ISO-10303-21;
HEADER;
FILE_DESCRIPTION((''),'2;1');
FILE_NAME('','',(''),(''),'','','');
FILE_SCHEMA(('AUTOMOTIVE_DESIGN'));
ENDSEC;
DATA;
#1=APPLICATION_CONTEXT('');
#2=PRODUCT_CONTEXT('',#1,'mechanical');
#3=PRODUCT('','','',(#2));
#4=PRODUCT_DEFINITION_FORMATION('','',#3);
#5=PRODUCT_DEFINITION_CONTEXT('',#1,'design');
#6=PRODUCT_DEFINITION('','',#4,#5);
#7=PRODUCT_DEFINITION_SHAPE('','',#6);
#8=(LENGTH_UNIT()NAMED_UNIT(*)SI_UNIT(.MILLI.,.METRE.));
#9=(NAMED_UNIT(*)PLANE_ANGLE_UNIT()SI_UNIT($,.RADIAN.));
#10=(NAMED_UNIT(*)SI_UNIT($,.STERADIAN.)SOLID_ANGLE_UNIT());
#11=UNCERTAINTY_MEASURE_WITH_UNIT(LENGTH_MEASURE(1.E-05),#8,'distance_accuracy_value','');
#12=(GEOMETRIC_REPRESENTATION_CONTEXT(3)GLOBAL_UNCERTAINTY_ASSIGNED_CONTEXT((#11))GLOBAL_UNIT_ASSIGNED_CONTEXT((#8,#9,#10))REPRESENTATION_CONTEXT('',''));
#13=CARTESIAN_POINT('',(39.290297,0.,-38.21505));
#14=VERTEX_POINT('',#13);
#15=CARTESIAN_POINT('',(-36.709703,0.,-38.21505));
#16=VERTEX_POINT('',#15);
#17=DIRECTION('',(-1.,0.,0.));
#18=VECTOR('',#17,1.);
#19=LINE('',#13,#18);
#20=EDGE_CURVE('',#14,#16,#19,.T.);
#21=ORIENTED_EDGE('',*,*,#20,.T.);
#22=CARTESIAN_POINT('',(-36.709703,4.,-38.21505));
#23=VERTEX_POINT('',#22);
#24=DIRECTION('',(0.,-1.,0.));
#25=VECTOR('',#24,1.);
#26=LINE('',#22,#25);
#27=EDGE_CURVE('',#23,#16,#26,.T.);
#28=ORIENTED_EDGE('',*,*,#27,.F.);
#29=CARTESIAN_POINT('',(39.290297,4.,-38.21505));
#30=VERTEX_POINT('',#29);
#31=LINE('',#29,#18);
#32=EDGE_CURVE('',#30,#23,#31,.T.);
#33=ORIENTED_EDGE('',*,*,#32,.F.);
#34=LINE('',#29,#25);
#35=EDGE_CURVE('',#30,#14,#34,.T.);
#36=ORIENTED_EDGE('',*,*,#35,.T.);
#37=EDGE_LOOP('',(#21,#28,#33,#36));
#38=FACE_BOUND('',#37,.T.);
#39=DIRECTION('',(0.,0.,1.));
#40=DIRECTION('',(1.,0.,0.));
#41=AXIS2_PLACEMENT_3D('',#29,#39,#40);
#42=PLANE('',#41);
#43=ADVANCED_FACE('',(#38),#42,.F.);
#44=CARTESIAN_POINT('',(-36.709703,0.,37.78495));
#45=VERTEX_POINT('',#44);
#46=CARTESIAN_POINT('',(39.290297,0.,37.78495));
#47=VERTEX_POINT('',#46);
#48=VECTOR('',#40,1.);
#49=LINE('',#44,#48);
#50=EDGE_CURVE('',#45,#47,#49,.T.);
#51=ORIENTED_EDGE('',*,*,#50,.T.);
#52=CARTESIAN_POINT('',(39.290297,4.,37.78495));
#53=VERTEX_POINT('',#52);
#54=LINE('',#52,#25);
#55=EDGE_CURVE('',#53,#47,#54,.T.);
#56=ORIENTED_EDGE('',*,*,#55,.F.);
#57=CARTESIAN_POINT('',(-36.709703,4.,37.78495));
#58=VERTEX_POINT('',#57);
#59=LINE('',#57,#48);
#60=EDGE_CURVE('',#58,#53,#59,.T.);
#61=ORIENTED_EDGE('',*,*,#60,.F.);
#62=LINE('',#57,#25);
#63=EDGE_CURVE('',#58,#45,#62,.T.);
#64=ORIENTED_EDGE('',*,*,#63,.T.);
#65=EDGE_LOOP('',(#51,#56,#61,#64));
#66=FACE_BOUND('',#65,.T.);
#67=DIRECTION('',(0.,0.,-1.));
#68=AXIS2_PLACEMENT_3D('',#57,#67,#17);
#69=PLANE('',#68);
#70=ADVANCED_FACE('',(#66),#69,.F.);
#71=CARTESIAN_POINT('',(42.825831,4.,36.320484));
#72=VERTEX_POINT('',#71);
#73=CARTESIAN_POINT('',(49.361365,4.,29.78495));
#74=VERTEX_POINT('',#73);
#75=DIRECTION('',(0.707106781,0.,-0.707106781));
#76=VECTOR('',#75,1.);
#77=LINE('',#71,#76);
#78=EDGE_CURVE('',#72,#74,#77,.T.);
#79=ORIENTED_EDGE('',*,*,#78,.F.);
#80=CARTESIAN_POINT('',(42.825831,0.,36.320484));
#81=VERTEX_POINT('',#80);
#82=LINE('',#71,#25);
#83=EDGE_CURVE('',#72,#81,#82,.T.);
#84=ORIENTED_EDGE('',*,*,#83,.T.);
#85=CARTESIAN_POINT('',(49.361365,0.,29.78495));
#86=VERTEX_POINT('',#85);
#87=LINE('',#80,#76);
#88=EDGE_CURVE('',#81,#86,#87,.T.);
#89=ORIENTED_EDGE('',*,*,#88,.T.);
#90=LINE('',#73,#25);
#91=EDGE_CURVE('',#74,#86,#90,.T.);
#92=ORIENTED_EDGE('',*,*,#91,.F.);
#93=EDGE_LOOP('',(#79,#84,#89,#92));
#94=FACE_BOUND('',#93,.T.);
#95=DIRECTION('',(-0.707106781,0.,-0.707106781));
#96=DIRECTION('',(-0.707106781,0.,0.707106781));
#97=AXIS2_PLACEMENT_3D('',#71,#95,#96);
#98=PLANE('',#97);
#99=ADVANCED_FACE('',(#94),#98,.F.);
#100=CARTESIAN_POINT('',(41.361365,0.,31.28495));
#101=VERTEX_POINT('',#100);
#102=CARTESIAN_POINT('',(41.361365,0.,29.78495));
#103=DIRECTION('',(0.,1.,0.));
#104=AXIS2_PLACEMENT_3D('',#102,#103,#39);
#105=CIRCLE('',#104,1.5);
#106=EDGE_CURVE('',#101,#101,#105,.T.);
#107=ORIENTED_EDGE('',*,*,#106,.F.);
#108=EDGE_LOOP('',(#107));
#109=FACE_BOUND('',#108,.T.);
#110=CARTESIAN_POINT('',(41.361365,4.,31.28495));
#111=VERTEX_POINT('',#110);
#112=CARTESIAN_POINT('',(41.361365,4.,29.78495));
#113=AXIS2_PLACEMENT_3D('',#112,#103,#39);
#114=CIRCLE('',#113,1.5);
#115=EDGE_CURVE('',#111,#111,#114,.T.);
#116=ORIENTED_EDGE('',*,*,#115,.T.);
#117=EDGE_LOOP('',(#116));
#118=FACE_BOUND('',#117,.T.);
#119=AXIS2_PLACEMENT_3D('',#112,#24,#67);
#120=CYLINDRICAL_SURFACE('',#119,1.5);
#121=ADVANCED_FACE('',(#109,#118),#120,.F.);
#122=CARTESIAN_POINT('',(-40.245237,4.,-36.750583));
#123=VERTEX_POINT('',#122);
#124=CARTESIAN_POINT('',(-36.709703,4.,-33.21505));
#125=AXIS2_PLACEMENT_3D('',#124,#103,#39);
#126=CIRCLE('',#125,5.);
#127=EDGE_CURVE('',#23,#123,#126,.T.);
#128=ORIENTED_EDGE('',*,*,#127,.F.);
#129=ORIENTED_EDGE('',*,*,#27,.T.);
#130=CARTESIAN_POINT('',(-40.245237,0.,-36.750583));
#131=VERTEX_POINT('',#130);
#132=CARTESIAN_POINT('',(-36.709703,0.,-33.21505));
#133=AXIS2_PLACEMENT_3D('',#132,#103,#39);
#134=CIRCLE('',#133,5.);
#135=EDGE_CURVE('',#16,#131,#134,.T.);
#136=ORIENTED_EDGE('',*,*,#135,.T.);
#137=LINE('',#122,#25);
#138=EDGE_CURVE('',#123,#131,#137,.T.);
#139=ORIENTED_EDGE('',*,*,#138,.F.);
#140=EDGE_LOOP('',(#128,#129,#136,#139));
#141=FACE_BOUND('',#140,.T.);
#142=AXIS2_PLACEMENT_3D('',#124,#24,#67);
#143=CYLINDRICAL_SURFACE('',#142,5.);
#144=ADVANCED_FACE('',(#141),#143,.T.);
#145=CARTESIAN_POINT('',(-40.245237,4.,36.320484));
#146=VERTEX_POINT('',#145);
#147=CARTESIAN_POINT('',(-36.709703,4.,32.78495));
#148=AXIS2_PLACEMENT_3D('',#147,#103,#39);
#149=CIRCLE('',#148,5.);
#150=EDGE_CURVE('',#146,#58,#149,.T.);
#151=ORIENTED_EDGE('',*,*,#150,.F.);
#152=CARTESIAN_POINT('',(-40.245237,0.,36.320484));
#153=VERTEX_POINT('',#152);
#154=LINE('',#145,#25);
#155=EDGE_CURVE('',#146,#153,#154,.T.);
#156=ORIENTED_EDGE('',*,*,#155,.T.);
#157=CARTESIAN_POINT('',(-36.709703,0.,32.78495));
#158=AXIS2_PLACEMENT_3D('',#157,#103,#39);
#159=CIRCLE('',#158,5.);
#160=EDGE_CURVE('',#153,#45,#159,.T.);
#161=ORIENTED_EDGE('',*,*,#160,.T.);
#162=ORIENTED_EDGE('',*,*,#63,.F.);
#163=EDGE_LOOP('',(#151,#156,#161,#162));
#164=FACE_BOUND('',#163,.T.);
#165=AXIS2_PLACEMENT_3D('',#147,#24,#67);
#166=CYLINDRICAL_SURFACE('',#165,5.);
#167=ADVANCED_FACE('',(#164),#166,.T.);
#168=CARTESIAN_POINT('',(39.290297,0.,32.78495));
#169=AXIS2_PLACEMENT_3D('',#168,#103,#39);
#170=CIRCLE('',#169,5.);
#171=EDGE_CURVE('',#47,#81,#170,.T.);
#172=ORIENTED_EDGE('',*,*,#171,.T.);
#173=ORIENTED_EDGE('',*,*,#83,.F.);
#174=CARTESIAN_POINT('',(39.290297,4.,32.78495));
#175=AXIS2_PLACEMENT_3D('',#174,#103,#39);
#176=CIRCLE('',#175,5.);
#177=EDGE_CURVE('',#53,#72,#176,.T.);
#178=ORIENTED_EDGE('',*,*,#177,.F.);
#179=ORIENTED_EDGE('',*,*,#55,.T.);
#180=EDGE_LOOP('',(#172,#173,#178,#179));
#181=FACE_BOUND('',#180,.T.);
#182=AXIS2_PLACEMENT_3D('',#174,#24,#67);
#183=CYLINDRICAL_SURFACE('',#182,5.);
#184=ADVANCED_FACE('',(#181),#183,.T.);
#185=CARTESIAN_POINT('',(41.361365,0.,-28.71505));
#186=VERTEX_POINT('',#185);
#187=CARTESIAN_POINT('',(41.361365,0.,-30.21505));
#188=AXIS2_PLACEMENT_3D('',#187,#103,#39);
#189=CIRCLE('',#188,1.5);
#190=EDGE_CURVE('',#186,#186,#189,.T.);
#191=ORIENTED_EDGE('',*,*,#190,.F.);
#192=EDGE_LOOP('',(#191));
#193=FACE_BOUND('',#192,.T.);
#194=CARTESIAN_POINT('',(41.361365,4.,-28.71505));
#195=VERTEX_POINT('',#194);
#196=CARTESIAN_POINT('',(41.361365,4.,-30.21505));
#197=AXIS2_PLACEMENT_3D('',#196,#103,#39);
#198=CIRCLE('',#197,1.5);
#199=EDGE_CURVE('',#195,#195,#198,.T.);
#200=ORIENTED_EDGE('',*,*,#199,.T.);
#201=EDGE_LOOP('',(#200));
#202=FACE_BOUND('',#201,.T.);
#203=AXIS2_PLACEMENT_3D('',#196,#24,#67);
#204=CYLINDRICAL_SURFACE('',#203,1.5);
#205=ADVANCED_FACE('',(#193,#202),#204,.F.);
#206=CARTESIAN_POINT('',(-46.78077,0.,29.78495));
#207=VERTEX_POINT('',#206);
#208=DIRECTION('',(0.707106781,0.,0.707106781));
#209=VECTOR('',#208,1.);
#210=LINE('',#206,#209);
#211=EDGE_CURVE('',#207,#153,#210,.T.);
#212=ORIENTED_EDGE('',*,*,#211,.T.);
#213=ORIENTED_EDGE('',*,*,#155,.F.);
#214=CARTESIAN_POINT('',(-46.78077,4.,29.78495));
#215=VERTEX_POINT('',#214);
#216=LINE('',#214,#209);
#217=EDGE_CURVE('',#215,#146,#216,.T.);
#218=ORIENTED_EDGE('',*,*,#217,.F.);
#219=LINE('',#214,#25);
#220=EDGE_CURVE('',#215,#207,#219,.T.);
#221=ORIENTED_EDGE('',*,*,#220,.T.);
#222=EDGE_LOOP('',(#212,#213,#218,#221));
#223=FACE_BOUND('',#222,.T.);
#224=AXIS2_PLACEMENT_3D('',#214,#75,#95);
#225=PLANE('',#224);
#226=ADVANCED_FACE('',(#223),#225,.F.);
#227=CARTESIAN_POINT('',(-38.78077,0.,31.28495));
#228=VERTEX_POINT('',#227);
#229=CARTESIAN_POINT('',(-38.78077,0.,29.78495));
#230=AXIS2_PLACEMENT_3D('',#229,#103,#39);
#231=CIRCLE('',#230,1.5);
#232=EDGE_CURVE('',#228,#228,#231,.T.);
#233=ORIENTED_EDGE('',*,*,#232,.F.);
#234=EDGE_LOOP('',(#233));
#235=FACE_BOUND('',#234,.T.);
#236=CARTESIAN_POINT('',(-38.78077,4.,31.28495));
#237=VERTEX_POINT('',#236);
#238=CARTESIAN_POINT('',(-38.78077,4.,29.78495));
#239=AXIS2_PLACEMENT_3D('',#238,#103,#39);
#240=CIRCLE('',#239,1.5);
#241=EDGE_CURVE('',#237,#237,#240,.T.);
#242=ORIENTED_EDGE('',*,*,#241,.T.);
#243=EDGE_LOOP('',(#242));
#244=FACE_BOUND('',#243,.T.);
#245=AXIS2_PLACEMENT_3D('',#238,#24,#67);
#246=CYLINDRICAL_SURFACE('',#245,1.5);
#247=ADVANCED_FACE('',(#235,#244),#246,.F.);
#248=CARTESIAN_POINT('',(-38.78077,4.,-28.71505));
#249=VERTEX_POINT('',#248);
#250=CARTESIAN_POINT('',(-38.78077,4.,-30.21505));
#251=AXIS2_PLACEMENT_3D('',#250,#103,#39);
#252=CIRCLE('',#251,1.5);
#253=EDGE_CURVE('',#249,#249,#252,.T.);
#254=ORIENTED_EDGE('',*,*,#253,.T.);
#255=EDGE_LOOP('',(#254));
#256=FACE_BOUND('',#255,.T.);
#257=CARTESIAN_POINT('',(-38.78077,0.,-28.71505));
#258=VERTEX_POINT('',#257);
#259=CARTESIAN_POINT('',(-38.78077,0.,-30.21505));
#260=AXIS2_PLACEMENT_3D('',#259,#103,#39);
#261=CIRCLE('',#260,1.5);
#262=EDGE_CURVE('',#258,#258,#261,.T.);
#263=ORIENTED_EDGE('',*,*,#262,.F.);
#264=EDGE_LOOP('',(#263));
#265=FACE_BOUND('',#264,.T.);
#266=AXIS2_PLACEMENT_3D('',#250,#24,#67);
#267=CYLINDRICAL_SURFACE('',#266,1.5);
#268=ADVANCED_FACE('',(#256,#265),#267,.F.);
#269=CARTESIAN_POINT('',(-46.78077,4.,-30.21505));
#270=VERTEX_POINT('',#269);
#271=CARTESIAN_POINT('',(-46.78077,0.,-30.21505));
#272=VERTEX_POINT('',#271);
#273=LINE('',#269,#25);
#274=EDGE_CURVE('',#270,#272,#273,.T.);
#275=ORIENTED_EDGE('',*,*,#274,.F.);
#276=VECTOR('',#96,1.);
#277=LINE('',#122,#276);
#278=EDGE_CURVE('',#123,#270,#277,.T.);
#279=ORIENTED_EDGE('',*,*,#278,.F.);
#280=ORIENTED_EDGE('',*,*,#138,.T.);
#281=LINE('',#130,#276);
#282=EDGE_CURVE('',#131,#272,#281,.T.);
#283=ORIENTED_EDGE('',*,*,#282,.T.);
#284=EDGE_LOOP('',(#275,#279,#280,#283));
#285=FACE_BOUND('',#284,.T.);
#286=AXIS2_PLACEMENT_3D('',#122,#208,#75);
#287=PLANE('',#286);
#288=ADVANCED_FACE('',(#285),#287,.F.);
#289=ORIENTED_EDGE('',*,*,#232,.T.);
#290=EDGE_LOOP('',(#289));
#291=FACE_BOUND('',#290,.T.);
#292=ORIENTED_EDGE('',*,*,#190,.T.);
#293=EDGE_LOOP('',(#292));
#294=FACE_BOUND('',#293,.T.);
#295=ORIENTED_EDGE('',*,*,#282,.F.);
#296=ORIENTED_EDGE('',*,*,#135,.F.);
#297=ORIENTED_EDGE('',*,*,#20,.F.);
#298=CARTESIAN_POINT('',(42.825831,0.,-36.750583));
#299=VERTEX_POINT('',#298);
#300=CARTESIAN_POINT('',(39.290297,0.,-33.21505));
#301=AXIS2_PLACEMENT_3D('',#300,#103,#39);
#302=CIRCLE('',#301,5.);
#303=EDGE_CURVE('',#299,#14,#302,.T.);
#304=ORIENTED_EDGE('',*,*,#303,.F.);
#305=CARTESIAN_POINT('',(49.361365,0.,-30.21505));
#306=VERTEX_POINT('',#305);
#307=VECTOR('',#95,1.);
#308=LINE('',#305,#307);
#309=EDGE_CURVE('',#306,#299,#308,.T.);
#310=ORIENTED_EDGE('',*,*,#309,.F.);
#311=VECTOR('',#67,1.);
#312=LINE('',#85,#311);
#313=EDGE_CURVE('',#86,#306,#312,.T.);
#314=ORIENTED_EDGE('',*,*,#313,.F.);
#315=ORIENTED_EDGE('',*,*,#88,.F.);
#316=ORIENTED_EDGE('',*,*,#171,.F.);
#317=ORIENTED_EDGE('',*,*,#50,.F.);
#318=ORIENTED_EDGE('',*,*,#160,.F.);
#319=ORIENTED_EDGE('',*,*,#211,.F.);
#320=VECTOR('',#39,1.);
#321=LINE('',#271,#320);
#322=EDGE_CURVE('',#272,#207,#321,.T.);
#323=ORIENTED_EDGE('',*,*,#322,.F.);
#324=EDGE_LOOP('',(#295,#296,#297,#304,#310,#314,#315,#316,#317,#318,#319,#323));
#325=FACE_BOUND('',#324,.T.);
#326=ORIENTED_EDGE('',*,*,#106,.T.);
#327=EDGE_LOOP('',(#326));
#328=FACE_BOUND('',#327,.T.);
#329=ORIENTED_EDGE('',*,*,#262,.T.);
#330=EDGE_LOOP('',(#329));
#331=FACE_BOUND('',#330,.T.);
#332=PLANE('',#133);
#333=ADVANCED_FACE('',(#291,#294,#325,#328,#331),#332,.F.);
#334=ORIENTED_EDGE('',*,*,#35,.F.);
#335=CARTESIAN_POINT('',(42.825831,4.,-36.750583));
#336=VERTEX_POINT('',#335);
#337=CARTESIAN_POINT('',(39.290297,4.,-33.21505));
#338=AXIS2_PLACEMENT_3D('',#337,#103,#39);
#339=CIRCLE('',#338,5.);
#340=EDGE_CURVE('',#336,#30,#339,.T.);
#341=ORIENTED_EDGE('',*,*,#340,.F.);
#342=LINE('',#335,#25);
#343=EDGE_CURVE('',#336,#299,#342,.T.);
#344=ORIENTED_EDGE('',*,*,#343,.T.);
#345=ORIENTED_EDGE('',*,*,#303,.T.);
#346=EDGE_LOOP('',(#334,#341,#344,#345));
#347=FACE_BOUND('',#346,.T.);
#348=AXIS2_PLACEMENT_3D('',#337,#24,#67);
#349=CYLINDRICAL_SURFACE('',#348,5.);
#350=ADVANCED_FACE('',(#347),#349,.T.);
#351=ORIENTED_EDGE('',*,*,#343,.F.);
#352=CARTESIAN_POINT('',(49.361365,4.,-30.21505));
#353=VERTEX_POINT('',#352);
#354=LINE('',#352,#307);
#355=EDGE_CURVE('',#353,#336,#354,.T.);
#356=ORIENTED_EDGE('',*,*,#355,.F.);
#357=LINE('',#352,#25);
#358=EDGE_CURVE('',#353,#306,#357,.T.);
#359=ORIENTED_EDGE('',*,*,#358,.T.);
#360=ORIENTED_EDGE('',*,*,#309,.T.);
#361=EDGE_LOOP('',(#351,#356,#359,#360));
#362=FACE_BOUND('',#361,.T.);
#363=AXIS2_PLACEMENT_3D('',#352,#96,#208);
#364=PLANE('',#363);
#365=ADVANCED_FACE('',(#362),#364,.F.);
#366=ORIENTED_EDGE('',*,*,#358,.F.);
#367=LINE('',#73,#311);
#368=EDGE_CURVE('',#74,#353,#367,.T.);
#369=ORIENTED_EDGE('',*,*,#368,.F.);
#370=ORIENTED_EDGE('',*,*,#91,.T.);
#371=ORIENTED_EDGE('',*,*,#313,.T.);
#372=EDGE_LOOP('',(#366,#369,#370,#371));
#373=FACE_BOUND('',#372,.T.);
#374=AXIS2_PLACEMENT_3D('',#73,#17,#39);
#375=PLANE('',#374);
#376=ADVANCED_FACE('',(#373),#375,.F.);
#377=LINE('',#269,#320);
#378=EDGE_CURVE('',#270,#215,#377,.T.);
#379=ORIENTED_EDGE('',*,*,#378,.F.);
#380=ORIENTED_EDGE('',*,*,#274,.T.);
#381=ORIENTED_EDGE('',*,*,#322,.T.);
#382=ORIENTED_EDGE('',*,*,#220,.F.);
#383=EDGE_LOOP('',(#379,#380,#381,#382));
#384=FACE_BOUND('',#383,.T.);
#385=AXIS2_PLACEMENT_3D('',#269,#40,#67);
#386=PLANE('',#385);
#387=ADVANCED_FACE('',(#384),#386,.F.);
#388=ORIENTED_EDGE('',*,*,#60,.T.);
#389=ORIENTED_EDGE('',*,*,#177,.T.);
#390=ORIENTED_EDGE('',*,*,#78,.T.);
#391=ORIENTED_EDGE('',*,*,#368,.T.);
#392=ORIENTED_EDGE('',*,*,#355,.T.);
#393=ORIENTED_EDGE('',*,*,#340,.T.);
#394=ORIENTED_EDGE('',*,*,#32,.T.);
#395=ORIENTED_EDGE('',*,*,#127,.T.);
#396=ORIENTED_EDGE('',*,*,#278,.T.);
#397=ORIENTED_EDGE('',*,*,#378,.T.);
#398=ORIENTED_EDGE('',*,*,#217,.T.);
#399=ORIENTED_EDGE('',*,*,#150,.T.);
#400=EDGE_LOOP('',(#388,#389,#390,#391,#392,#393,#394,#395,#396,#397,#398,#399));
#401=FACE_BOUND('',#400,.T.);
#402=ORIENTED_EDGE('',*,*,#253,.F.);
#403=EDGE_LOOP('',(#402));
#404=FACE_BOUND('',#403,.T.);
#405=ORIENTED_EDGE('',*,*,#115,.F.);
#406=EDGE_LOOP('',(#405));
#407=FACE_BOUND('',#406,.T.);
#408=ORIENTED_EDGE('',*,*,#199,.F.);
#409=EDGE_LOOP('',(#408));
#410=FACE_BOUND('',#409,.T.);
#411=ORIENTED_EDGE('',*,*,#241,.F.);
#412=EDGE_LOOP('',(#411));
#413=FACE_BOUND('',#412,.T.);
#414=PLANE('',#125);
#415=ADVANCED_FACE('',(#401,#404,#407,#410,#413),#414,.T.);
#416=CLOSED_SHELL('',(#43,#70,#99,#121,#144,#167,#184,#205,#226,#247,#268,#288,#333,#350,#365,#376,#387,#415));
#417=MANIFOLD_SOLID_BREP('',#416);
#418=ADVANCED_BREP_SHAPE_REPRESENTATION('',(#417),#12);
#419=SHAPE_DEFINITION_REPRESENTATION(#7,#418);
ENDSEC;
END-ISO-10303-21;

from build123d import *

# Parameters (mm, degrees)
SKETCH1_R           = 1.5
BOSS_EXTRUDE1_DEPTH = 4


with BuildPart() as part:
    # Sketch1 → Boss-Extrude1 (new body)
    with BuildSketch(Plane(origin=(0, 0, 0), x_dir=(1, 0, 0), z_dir=(0, 1, 0))):
        with BuildLine():
            Line((-40.245236531, 36.750583468), (-46.780770437, 30.215049562))
            Line((-46.780770437, 30.215049562), (-46.780770437, -29.784950438))
            Line((-46.780770437, -29.784950438), (-40.245236531, -36.320484344))
            ThreePointArc((-40.245236531, -36.320484344), (-38.623119787, -37.4043481), (-36.709702625, -37.784950438))
            Line((-36.709702625, -37.784950438), (39.290297375, -37.784950438))
            ThreePointArc((39.290297375, -37.784950438), (41.203714536, -37.4043481), (42.82583128, -36.320484344))
            Line((42.82583128, -36.320484344), (49.361365186, -29.784950438))
            Line((49.361365186, -29.784950438), (49.361365186, 30.215049562))
            Line((49.361365186, 30.215049562), (42.82583128, 36.750583468))
            ThreePointArc((42.82583128, 36.750583468), (41.203714536, 37.834447225), (39.290297375, 38.215049562))
            Line((39.290297375, 38.215049562), (-36.709702625, 38.215049562))
            ThreePointArc((-36.709702625, 38.215049562), (-38.623119787, 37.834447225), (-40.245236531, 36.750583468))
        make_face()
        with Locations(Location((41.361365186, -29.784950438, 0), (0, 0, 270))):
            Circle(SKETCH1_R, mode=Mode.SUBTRACT)
        with Locations(Location((41.361365186, 30.215049562, 0), (0, 0, 270))):
            Circle(SKETCH1_R, mode=Mode.SUBTRACT)
        with Locations(Location((-38.780770437, -29.784950438, 0), (0, 0, 270))):
            Circle(SKETCH1_R, mode=Mode.SUBTRACT)
        with Locations(Location((-38.780770437, 30.215049562, 0), (0, 0, 270))):
            Circle(SKETCH1_R, mode=Mode.SUBTRACT)
    extrude(amount=BOSS_EXTRUDE1_DEPTH)


solid = part.part
